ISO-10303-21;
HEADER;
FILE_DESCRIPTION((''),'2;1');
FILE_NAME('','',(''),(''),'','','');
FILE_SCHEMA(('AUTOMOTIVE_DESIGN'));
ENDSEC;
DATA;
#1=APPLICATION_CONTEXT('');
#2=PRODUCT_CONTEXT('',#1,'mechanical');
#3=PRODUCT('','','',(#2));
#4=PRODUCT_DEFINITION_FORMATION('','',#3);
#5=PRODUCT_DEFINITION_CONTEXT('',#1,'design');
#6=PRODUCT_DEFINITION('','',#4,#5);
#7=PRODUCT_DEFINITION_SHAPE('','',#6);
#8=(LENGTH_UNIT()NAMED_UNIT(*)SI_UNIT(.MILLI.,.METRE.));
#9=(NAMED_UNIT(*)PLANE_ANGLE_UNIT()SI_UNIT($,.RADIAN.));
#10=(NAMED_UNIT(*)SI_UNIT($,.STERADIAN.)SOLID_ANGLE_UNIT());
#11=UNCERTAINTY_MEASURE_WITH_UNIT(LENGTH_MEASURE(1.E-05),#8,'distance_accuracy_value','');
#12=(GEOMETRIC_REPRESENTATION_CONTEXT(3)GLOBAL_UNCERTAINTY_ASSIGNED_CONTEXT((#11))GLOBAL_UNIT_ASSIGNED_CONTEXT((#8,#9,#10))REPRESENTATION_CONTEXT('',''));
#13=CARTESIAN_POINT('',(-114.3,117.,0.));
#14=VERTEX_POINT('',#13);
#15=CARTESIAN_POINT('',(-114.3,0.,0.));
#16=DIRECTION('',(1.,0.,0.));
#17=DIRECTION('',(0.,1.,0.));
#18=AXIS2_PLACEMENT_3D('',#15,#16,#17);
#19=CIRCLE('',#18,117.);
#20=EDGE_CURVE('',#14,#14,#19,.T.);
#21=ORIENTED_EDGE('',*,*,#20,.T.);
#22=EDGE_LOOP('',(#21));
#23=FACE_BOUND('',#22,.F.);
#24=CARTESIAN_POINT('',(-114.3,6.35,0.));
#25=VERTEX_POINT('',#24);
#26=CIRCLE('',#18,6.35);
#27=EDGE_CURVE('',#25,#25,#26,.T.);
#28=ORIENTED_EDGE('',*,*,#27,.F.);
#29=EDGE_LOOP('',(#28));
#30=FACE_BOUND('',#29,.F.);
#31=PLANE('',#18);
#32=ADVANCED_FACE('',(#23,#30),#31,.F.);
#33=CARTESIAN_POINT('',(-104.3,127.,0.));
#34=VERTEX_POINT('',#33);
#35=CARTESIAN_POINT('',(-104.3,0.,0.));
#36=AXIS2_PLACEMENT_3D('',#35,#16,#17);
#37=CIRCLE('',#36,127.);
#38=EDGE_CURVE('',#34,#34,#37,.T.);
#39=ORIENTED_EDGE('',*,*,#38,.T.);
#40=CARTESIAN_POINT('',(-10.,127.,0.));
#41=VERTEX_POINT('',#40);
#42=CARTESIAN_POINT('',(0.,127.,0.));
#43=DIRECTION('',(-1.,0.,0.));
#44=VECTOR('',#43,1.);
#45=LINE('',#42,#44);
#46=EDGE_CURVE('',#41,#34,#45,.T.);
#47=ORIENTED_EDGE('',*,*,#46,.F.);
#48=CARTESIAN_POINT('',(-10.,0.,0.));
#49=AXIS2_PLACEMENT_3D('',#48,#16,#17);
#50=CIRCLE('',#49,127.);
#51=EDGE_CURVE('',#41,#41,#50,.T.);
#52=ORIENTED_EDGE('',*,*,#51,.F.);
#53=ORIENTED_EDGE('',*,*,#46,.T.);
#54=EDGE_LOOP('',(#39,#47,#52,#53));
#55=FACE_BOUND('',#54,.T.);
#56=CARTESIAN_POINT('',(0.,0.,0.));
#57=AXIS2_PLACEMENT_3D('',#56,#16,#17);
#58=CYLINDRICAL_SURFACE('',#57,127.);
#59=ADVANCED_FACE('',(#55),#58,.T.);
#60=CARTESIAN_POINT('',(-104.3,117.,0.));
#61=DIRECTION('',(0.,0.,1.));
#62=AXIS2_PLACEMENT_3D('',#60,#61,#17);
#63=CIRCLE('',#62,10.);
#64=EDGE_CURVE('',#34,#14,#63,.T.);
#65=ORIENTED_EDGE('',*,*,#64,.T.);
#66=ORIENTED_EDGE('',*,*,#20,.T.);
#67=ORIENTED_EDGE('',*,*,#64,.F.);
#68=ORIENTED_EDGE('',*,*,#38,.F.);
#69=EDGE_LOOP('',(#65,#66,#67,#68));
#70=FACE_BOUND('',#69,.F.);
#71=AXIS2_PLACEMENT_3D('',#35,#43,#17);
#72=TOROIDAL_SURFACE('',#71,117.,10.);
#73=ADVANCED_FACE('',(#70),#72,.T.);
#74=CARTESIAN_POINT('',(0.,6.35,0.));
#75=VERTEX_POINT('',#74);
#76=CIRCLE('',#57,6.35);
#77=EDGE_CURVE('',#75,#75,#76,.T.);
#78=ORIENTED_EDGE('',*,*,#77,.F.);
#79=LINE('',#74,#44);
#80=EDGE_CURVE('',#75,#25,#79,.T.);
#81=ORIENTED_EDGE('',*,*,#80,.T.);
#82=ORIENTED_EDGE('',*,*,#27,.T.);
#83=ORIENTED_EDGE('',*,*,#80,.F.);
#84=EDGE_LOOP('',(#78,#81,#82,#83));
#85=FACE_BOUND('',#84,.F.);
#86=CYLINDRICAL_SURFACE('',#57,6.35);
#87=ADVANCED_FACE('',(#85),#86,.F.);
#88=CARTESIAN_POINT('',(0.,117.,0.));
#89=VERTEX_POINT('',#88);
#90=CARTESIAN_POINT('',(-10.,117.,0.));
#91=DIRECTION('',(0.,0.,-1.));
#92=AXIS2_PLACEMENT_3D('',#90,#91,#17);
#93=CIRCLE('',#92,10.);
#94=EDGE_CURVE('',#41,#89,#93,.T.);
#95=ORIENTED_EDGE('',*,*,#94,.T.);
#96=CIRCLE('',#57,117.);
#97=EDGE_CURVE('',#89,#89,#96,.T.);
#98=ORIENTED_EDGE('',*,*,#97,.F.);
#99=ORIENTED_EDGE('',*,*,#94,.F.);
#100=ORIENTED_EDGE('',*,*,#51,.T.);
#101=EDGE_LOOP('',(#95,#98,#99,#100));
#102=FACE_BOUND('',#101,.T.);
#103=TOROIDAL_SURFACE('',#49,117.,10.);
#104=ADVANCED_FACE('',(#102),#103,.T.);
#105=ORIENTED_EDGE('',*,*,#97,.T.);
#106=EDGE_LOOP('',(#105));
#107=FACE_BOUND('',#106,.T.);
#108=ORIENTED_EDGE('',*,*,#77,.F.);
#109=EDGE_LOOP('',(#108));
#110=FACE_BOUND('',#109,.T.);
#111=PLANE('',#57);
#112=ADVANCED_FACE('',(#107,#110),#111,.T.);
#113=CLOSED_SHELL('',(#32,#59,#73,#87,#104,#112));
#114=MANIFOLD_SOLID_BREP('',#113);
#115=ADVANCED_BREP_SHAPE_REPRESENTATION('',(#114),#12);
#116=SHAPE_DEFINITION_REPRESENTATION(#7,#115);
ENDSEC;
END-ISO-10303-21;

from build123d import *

# Parameters (mm, degrees)
F0_R     = 127
F1_DEPTH = 114.3
F2_R     = 10
F3_R     = 6.35
F4_DEPTH = 114.3


with BuildPart() as f1:
    # F0 (on Right) → F1 (new body)
    with BuildSketch(Plane.YZ):
        Circle(F0_R)
    extrude(amount=-F1_DEPTH)

    # F2
    f2_edges = [f1.edges().sort_by_distance(p)[0] for p in [
        (0, -127, 0),
        (-114.3, -127, 0),
    ]]
    fillet(f2_edges, radius=F2_R)

    # F3 (on face) → F4 (cut, through all)
    with BuildSketch(Plane.YZ):
        Circle(F3_R)
    extrude(amount=-F4_DEPTH, mode=Mode.SUBTRACT)


solid = f1.part
